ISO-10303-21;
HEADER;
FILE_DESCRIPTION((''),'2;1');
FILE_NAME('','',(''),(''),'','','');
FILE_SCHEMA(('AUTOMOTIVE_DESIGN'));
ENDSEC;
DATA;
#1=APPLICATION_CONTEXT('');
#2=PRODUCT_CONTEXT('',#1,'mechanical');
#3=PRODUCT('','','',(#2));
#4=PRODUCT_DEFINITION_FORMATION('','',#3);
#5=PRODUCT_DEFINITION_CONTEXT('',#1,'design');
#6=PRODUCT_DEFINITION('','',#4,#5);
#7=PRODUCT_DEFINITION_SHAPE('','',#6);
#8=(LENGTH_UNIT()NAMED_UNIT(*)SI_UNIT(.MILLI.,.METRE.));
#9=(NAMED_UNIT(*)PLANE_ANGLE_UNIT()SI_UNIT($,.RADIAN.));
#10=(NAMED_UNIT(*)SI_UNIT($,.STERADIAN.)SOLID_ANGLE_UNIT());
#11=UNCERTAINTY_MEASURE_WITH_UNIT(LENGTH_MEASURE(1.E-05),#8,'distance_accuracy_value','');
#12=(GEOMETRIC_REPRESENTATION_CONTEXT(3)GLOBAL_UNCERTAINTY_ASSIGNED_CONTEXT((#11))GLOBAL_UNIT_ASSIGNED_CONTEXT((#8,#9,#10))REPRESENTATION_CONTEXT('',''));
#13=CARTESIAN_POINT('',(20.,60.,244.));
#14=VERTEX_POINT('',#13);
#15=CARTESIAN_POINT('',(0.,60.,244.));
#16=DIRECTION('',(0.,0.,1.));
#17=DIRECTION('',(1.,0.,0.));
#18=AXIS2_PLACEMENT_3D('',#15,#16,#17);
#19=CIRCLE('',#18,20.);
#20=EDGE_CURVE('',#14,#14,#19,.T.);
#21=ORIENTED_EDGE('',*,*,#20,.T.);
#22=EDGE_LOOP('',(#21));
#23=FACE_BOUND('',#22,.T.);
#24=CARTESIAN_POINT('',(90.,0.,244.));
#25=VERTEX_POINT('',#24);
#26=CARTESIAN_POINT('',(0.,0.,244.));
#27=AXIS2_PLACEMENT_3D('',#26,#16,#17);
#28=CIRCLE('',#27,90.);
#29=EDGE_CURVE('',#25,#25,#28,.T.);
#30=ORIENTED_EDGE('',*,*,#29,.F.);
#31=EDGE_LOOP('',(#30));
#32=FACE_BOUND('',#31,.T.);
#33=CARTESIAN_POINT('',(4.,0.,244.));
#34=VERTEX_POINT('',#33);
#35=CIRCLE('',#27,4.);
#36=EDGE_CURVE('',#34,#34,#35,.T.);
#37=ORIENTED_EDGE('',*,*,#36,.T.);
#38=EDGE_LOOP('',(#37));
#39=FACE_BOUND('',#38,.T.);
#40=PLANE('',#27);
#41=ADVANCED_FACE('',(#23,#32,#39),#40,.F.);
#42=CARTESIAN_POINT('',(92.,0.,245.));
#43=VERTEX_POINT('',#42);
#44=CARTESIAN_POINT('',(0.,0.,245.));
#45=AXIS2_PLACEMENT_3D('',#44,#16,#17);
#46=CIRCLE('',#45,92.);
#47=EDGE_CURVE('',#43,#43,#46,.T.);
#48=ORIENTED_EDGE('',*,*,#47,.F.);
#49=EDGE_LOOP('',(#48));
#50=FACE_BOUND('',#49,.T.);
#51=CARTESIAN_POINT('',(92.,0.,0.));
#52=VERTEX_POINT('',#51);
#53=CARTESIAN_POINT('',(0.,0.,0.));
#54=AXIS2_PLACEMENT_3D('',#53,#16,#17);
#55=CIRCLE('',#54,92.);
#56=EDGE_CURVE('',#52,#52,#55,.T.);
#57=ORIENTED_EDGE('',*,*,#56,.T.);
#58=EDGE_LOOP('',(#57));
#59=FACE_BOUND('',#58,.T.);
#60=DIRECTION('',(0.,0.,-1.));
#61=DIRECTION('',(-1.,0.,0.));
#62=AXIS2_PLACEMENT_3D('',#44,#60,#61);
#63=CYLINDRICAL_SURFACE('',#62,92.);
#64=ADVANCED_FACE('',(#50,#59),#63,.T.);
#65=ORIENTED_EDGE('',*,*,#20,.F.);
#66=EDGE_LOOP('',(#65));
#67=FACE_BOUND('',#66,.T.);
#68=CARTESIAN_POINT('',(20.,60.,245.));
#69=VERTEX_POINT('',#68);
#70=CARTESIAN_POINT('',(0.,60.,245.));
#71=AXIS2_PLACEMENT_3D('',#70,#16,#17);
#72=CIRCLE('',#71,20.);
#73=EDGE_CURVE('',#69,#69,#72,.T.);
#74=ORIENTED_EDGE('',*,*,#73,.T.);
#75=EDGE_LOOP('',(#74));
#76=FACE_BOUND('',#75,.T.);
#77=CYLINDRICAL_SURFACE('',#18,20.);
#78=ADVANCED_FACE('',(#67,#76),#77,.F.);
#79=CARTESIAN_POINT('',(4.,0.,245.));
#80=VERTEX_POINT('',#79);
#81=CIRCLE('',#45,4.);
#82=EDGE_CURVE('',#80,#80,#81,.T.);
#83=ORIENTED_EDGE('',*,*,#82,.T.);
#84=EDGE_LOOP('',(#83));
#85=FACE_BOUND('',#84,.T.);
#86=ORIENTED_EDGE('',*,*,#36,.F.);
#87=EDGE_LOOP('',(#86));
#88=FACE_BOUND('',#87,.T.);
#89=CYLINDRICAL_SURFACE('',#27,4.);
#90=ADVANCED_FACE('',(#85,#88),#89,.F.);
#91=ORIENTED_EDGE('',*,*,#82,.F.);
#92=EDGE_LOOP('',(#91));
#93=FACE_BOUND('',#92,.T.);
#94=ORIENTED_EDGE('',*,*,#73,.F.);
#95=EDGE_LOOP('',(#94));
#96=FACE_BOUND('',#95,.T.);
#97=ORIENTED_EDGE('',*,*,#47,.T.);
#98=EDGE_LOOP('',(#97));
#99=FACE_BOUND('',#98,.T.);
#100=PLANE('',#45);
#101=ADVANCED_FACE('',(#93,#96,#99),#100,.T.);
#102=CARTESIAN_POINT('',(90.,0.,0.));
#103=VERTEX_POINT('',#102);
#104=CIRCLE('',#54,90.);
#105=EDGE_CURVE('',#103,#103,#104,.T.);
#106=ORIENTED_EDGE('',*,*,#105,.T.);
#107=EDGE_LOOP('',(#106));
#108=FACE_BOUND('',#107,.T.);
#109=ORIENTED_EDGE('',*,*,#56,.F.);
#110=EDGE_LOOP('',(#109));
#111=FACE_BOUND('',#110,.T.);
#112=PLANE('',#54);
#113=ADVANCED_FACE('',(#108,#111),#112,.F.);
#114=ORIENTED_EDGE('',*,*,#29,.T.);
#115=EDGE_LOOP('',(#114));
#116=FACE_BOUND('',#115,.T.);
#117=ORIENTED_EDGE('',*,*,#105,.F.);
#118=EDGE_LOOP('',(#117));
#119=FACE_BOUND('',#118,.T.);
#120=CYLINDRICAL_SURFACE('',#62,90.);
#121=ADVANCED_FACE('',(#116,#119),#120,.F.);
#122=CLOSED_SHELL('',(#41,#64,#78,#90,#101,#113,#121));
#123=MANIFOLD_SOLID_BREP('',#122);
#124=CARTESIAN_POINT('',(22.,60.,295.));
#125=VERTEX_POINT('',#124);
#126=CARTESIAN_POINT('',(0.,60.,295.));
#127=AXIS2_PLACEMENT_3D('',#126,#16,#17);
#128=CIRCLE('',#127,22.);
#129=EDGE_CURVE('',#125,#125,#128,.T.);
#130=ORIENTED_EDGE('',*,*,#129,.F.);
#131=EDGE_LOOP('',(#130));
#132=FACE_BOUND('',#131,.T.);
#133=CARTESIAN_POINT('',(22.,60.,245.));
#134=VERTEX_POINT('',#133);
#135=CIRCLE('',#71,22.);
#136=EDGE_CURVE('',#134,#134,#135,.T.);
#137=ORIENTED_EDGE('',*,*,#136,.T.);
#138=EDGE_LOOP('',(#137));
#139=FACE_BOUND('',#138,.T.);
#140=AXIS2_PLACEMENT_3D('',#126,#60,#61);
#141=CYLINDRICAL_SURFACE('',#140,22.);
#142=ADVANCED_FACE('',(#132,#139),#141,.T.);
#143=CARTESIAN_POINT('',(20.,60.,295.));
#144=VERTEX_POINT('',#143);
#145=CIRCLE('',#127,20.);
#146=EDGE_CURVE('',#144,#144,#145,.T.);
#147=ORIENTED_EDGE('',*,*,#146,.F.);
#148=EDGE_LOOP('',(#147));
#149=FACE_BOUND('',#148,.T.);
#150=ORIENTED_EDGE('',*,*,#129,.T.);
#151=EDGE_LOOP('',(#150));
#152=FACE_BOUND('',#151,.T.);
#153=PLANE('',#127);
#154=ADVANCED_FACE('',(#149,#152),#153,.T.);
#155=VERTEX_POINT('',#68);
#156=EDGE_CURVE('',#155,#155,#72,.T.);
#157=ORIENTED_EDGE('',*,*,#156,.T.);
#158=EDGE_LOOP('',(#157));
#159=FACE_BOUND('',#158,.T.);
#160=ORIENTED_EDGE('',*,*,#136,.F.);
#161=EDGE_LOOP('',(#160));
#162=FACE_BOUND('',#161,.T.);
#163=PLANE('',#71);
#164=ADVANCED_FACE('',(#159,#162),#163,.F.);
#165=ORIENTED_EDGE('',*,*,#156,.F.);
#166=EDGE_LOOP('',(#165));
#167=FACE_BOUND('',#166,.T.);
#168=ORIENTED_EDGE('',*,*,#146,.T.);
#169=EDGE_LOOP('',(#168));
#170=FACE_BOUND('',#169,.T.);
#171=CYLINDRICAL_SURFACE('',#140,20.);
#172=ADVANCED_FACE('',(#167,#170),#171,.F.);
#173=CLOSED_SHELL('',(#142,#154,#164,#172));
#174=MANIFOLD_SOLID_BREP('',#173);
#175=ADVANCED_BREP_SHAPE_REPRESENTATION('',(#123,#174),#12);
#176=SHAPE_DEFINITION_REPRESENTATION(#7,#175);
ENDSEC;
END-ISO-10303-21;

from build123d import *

# Parameters (mm, degrees)
SKETCH1_R           = 92
SKETCH1_R_2         = 90
BOSS_EXTRUDE1_DEPTH = 245
BOSS_EXTRUDE2_START = -1
SKETCH2_R           = 90
SKETCH2_R_2         = 4
SKETCH2_R_3         = 20
BOSS_EXTRUDE2_DEPTH = 1
SKETCH3_R           = 22
SKETCH3_R_2         = 20
BOSS_EXTRUDE3_DEPTH = 50


with BuildPart() as part:
    # Sketch1 → Boss-Extrude1 (new body)
    with BuildSketch(Plane.XY):
        Circle(SKETCH1_R)
        Circle(SKETCH1_R_2, mode=Mode.SUBTRACT)
    extrude(amount=BOSS_EXTRUDE1_DEPTH)

    # Sketch2 → Boss-Extrude2 (add)
    with BuildSketch(Plane.XY.offset(245).offset(BOSS_EXTRUDE2_START)):
        Circle(SKETCH2_R)
        Circle(SKETCH2_R_2, mode=Mode.SUBTRACT)
        with Locations((0, 60)):
            Circle(SKETCH2_R_3, mode=Mode.SUBTRACT)
    extrude(amount=BOSS_EXTRUDE2_DEPTH)


with BuildPart() as body_2:
    # Sketch3 → Boss-Extrude3 (new body)
    with BuildSketch(Plane.XY.offset(245)):
        with Locations((0, 60)):
            Circle(SKETCH3_R)
        with Locations((0, 60)):
            Circle(SKETCH3_R_2, mode=Mode.SUBTRACT)
    extrude(amount=BOSS_EXTRUDE3_DEPTH)


solid = Compound([part.part, body_2.part])
